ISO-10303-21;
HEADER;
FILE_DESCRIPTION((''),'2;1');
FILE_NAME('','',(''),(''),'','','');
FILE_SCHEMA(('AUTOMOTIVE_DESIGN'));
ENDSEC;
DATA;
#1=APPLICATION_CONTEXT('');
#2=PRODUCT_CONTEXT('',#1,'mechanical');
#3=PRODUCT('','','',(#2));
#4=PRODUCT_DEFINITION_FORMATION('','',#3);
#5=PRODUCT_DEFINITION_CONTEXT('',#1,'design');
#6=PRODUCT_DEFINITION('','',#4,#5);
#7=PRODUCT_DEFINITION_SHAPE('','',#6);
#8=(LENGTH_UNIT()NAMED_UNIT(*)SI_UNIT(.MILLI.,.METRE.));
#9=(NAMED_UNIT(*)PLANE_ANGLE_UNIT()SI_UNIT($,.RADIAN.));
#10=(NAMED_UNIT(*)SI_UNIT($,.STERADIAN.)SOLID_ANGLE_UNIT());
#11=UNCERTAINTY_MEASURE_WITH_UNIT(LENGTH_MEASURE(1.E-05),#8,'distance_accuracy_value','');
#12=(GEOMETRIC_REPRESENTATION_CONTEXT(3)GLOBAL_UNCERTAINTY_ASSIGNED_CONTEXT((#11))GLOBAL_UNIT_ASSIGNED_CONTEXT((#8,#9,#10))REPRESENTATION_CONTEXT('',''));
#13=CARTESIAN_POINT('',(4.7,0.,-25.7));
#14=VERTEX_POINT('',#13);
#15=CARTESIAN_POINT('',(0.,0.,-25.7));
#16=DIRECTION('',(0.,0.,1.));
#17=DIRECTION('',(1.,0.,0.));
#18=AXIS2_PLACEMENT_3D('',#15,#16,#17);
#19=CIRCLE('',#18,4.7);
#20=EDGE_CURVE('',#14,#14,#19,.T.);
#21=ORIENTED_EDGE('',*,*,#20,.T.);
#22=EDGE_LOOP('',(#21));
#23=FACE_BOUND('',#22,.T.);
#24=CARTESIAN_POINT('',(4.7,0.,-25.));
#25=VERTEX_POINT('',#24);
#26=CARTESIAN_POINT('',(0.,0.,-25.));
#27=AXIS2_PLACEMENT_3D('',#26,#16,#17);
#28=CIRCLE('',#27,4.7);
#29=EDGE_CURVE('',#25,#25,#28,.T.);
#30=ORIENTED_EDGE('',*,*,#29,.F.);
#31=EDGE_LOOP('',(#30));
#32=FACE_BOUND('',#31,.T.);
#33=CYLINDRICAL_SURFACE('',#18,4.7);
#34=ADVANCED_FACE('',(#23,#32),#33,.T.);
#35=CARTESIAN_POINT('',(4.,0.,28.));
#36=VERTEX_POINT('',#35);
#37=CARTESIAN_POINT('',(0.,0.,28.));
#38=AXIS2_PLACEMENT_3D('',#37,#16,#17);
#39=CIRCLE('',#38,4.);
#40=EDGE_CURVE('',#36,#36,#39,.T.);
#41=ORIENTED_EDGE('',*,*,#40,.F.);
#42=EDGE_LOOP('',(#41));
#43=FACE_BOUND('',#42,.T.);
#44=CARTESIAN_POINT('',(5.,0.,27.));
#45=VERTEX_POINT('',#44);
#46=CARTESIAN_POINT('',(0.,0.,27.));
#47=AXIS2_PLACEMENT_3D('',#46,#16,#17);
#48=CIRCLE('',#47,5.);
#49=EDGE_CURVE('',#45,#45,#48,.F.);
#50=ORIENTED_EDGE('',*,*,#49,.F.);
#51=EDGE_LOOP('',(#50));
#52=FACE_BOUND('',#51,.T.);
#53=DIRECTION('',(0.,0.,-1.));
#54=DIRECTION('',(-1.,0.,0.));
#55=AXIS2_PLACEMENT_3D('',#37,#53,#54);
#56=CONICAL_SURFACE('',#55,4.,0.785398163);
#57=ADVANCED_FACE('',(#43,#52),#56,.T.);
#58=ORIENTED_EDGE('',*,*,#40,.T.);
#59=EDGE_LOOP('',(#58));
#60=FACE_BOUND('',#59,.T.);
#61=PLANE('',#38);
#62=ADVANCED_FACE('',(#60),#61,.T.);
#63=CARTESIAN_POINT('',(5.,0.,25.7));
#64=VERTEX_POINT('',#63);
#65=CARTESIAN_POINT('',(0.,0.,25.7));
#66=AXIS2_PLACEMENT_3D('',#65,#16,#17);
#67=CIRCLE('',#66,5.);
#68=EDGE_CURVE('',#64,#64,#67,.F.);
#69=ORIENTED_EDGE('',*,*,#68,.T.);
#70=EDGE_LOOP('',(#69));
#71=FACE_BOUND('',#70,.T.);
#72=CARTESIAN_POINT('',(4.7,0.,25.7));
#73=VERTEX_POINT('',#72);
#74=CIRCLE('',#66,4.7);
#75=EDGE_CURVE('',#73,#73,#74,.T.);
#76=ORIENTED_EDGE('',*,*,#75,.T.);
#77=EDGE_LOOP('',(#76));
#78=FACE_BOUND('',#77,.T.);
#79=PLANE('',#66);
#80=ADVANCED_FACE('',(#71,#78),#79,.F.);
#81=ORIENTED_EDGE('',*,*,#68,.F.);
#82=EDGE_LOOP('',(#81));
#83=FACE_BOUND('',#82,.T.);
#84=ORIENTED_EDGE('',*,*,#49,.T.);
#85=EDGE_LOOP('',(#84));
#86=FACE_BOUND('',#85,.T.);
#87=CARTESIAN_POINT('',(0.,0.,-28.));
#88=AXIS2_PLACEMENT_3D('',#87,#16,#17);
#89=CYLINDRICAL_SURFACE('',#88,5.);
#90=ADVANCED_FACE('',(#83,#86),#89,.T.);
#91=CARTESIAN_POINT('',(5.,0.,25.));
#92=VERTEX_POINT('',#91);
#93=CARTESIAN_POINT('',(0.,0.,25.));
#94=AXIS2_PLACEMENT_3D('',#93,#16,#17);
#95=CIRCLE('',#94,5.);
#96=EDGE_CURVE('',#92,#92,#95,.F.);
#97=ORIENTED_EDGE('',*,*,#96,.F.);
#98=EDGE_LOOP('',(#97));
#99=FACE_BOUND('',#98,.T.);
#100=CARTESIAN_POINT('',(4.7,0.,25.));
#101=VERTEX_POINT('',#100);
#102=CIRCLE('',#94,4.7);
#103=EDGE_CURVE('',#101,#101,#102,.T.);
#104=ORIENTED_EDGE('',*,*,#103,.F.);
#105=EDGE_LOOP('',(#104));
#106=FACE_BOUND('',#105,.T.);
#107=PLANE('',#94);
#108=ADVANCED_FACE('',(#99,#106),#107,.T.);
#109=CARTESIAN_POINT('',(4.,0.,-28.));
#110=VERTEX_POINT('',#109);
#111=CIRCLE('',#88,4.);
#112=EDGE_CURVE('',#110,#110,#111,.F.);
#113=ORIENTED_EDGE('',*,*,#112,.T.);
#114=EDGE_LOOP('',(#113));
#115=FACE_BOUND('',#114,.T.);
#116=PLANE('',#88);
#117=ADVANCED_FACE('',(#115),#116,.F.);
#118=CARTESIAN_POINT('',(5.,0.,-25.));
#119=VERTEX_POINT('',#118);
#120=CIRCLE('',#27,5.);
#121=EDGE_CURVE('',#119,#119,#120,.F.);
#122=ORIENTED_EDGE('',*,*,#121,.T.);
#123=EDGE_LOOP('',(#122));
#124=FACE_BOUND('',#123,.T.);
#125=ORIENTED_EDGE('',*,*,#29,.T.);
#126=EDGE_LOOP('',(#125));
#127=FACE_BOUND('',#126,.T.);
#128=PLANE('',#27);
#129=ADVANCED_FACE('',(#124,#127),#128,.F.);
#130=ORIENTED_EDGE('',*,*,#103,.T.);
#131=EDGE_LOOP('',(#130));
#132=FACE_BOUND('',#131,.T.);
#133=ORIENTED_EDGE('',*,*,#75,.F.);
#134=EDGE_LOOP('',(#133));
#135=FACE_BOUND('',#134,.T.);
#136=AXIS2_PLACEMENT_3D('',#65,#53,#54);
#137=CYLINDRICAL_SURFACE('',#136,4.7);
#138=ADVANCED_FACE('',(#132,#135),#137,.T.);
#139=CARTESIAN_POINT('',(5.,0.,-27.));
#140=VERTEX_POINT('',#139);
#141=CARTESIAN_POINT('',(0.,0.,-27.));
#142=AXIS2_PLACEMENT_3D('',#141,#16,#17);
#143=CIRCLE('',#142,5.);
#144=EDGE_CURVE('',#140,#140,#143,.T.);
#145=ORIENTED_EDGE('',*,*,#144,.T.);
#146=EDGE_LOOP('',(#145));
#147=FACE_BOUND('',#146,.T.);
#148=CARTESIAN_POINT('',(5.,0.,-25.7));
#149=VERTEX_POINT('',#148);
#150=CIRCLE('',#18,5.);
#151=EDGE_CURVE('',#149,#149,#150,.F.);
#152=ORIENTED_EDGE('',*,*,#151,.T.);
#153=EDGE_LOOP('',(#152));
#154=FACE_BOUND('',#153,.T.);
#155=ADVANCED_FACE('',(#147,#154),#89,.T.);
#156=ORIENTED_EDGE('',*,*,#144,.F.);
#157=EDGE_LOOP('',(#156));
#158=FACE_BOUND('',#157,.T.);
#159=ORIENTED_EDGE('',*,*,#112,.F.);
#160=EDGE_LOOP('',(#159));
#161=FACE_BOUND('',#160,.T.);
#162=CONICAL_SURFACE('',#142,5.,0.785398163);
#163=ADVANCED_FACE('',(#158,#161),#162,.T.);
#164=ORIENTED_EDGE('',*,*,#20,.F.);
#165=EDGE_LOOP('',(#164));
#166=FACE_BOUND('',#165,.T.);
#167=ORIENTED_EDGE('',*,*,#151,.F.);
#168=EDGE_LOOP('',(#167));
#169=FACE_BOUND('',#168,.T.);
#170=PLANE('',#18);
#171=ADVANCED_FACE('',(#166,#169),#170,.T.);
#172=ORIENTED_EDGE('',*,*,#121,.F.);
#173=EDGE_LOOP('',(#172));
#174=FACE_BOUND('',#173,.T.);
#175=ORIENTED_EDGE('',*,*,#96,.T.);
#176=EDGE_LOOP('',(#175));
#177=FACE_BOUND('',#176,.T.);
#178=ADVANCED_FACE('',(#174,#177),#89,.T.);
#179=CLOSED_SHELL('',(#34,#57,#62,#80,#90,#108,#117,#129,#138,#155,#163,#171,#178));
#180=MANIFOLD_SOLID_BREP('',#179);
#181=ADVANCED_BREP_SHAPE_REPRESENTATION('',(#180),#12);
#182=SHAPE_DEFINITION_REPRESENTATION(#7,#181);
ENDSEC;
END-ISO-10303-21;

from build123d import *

# Parameters (mm, degrees)
BOSS_EXTRUDE1_DEPTH      = 28
BOSS_EXTRUDE1_DEPTH_BACK = 28
SKETCH1_R                = 5
SKETCH2_R                = 14.7
SKETCH2_R_2              = 4.7
CUT_EXTRUDE_THIN1_DEPTH  = 0.7
CHAMFER1_SIZE            = 1


with BuildPart() as part:
    # Sketch1 → Boss-Extrude1 (new, two sides: drawn at the far end of the back side and taken through both)
    with BuildSketch(Plane.XY.offset(-BOSS_EXTRUDE1_DEPTH_BACK)):
        Circle(SKETCH1_R)
    extrude(amount=BOSS_EXTRUDE1_DEPTH + BOSS_EXTRUDE1_DEPTH_BACK)

    # Sketch2 → Cut-Extrude-Thin1 (cut)
    with BuildSketch(Plane.XY.offset(25)):
        Circle(SKETCH2_R)
        Circle(SKETCH2_R_2, mode=Mode.SUBTRACT)
    cut_extrude_thin1 = extrude(amount=CUT_EXTRUDE_THIN1_DEPTH, mode=Mode.SUBTRACT)

    # Mirror1: Cut-Extrude-Thin1 across plane
    add(cut_extrude_thin1.mirror(Plane.XY), mode=Mode.SUBTRACT)

    # Chamfer1
    chamfer1_edges = [part.edges().sort_by_distance(p)[0] for p in [
        (-5, 0, -28),
        (-5, 0, 28),
    ]]
    chamfer(chamfer1_edges, length=CHAMFER1_SIZE)


solid = part.part
